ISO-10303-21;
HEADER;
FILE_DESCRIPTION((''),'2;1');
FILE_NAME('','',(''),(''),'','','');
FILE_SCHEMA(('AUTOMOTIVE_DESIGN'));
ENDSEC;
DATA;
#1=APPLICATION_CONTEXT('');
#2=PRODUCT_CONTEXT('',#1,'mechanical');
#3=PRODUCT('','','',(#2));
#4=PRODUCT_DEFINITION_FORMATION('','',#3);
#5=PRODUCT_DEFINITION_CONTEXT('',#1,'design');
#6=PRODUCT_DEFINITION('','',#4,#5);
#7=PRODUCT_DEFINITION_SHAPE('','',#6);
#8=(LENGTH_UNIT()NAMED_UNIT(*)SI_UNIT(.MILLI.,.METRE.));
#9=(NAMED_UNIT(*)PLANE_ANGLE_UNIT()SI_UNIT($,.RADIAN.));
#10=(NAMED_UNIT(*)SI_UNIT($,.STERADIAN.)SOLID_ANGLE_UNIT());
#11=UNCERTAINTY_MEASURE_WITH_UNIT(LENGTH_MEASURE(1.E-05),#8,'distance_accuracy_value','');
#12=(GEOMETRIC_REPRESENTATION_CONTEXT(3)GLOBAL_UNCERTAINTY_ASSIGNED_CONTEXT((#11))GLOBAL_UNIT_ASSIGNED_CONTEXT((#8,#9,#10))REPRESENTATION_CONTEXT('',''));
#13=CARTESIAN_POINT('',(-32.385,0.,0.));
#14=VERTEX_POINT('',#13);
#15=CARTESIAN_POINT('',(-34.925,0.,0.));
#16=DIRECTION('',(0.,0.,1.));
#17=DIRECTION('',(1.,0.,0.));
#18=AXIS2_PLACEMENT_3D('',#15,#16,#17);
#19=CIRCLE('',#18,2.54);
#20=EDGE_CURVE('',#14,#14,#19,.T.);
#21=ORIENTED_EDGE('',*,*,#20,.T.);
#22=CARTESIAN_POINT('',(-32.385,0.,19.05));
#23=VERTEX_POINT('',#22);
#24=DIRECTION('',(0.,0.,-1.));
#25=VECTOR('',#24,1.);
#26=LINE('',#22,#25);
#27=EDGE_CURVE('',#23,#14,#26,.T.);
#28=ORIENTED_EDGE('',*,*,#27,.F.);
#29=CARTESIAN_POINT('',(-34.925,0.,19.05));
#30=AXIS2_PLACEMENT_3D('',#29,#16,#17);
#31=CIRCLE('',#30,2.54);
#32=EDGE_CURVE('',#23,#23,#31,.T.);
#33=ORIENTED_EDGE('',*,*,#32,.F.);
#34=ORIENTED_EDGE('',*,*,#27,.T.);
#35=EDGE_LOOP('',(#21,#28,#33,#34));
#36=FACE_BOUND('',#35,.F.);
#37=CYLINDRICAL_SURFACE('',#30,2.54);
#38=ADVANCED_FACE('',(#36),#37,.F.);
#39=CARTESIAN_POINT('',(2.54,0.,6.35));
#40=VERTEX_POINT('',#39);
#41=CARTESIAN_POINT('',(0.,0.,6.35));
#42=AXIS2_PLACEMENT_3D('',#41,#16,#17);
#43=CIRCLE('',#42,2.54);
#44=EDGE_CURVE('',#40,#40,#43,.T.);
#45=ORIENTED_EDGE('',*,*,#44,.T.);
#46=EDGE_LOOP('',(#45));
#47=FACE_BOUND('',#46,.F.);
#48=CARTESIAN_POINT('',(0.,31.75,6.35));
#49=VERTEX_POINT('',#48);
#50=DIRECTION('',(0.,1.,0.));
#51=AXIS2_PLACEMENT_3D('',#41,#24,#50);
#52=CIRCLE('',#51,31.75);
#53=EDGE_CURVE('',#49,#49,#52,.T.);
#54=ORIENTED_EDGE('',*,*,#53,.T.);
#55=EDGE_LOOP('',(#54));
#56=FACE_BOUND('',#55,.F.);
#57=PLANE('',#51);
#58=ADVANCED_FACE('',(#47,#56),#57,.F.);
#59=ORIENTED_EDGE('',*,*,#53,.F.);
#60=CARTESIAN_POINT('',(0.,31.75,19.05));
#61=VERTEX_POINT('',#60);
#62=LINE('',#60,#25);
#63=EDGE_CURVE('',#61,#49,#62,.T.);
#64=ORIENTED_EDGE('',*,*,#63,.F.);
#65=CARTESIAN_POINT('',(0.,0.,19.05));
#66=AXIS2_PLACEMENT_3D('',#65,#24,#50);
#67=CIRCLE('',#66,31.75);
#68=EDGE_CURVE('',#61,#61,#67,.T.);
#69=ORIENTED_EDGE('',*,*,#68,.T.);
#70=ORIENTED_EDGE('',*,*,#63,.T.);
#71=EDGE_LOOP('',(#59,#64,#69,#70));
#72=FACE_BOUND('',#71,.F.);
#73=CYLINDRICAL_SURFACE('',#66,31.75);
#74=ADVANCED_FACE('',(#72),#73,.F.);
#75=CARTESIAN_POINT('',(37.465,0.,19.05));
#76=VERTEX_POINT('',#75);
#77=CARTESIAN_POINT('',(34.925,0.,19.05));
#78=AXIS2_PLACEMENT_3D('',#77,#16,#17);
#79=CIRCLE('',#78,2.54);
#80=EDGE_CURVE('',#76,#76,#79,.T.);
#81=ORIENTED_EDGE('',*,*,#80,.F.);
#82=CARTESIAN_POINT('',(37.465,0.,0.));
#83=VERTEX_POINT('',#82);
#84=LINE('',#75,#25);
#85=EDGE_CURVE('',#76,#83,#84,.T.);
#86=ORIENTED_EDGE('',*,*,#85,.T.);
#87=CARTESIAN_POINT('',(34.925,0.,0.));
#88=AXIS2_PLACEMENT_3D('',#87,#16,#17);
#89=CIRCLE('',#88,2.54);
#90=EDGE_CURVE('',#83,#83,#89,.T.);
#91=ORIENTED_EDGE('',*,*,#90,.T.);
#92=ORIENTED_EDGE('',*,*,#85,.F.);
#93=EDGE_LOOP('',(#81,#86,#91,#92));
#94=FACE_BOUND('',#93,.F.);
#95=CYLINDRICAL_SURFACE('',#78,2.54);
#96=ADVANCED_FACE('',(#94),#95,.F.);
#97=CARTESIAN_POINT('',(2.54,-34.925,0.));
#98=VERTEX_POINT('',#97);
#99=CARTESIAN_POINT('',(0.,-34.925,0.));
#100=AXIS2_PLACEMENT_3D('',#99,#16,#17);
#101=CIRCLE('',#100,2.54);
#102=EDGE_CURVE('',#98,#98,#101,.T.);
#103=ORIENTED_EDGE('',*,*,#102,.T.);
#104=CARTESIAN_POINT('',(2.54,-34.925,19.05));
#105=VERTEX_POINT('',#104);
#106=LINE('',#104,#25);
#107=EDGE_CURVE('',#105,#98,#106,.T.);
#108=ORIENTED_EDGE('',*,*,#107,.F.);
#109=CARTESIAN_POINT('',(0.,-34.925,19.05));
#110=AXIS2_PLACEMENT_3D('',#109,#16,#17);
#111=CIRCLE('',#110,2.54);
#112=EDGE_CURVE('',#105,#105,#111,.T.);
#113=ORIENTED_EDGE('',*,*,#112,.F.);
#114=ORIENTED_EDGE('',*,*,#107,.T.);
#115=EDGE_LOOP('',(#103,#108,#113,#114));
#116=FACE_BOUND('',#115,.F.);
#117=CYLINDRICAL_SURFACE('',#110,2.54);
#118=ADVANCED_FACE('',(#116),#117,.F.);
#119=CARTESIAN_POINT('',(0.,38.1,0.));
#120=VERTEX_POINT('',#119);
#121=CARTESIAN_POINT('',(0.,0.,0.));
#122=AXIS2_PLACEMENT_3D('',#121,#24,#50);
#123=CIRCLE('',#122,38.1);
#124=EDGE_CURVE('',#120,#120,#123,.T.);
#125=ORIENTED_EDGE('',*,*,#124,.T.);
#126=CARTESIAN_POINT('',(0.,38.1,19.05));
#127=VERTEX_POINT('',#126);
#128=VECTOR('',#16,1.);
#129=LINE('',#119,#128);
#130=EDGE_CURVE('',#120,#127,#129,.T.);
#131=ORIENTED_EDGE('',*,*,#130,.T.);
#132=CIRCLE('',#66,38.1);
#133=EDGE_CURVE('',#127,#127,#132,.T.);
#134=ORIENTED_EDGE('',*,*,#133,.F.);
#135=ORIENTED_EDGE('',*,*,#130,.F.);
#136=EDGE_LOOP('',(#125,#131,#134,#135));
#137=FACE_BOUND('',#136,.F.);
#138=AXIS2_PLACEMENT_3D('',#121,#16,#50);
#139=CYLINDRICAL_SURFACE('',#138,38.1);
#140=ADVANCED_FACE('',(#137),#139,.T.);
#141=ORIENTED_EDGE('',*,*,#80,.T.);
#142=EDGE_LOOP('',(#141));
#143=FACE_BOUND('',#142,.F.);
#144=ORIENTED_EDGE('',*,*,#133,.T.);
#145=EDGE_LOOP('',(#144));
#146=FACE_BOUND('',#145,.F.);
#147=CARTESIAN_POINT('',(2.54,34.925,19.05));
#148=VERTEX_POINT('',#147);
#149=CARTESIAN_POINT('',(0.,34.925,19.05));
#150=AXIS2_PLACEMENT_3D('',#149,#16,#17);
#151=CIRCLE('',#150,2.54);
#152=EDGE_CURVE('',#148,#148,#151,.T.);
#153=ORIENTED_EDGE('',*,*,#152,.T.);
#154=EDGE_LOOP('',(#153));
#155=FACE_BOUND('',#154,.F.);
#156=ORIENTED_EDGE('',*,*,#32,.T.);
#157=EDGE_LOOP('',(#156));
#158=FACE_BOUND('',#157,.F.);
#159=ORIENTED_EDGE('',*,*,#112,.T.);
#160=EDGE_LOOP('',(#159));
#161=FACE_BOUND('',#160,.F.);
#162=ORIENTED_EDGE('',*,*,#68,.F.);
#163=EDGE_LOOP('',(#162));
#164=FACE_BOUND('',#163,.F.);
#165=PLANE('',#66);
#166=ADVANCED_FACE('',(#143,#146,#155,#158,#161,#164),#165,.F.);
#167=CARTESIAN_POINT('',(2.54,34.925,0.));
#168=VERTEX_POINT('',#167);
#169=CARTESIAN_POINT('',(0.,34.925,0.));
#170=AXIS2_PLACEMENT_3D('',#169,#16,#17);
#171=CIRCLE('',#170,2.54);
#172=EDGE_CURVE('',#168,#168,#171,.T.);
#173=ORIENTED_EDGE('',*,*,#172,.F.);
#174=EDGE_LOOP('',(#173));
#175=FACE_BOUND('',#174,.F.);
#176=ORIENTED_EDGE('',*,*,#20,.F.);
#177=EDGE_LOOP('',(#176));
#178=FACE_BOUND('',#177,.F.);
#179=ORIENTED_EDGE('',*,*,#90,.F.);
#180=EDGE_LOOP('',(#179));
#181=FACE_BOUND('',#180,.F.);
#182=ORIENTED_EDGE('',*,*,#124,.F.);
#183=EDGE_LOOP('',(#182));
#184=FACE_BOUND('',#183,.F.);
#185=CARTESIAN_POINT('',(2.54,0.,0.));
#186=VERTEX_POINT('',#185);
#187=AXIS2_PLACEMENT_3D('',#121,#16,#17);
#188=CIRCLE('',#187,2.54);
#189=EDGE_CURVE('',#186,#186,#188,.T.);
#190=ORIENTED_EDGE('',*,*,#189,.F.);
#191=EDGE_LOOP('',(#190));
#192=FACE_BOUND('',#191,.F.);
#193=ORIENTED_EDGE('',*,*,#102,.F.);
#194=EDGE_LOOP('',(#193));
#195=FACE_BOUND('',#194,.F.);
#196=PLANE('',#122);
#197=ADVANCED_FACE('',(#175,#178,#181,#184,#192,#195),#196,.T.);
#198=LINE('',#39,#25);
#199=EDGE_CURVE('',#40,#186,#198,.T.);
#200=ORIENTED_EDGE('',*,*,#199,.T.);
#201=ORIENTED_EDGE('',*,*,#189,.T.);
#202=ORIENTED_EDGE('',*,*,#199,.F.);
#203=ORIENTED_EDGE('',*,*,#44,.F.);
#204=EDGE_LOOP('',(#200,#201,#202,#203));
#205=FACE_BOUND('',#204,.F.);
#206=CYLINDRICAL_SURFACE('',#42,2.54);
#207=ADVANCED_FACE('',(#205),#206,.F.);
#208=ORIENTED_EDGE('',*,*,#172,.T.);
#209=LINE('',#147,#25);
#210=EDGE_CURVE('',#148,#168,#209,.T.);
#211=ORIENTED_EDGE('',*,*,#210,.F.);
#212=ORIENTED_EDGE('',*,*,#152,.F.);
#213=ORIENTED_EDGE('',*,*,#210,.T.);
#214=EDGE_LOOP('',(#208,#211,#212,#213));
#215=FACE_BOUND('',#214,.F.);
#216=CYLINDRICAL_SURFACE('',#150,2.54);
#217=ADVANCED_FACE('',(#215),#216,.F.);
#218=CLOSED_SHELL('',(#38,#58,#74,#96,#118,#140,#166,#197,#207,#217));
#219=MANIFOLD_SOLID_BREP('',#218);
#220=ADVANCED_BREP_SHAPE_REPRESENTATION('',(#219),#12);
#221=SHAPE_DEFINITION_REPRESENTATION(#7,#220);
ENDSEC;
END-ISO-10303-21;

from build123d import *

# Parameters (mm, degrees)
F2_R     = 2.54
F3_DEPTH = 25.4
F4_R     = 2.54
F5_DEPTH = 25.4


with BuildPart() as f1:
    # F0 (on Right) → F1 (revolve)
    with BuildSketch(Plane.YZ):
        Polygon((0, 6.35), (0, 0), (38.1, 0), (38.1, 19.05), (31.75, 19.05), (31.75, 6.35), align=None)
    revolve(axis=Axis((0, 0, 3.175), (0, 0, -1)))

    # F2 (on face) → F3 (cut)
    with BuildSketch(Plane.XY.offset(6.35)):
        Circle(F2_R)
    extrude(amount=-F3_DEPTH, mode=Mode.SUBTRACT)

    # F4 (on face) → F5 (cut)
    with BuildSketch(Plane.XY.offset(19.05)):
        with Locations((0, 34.925)):
            Circle(F4_R)
        with Locations((34.925, 0)):
            Circle(F4_R)
        with Locations((-34.925, 0)):
            Circle(F4_R)
        with Locations((0, -34.925)):
            Circle(F4_R)
    extrude(amount=-F5_DEPTH, mode=Mode.SUBTRACT)


solid = f1.part
